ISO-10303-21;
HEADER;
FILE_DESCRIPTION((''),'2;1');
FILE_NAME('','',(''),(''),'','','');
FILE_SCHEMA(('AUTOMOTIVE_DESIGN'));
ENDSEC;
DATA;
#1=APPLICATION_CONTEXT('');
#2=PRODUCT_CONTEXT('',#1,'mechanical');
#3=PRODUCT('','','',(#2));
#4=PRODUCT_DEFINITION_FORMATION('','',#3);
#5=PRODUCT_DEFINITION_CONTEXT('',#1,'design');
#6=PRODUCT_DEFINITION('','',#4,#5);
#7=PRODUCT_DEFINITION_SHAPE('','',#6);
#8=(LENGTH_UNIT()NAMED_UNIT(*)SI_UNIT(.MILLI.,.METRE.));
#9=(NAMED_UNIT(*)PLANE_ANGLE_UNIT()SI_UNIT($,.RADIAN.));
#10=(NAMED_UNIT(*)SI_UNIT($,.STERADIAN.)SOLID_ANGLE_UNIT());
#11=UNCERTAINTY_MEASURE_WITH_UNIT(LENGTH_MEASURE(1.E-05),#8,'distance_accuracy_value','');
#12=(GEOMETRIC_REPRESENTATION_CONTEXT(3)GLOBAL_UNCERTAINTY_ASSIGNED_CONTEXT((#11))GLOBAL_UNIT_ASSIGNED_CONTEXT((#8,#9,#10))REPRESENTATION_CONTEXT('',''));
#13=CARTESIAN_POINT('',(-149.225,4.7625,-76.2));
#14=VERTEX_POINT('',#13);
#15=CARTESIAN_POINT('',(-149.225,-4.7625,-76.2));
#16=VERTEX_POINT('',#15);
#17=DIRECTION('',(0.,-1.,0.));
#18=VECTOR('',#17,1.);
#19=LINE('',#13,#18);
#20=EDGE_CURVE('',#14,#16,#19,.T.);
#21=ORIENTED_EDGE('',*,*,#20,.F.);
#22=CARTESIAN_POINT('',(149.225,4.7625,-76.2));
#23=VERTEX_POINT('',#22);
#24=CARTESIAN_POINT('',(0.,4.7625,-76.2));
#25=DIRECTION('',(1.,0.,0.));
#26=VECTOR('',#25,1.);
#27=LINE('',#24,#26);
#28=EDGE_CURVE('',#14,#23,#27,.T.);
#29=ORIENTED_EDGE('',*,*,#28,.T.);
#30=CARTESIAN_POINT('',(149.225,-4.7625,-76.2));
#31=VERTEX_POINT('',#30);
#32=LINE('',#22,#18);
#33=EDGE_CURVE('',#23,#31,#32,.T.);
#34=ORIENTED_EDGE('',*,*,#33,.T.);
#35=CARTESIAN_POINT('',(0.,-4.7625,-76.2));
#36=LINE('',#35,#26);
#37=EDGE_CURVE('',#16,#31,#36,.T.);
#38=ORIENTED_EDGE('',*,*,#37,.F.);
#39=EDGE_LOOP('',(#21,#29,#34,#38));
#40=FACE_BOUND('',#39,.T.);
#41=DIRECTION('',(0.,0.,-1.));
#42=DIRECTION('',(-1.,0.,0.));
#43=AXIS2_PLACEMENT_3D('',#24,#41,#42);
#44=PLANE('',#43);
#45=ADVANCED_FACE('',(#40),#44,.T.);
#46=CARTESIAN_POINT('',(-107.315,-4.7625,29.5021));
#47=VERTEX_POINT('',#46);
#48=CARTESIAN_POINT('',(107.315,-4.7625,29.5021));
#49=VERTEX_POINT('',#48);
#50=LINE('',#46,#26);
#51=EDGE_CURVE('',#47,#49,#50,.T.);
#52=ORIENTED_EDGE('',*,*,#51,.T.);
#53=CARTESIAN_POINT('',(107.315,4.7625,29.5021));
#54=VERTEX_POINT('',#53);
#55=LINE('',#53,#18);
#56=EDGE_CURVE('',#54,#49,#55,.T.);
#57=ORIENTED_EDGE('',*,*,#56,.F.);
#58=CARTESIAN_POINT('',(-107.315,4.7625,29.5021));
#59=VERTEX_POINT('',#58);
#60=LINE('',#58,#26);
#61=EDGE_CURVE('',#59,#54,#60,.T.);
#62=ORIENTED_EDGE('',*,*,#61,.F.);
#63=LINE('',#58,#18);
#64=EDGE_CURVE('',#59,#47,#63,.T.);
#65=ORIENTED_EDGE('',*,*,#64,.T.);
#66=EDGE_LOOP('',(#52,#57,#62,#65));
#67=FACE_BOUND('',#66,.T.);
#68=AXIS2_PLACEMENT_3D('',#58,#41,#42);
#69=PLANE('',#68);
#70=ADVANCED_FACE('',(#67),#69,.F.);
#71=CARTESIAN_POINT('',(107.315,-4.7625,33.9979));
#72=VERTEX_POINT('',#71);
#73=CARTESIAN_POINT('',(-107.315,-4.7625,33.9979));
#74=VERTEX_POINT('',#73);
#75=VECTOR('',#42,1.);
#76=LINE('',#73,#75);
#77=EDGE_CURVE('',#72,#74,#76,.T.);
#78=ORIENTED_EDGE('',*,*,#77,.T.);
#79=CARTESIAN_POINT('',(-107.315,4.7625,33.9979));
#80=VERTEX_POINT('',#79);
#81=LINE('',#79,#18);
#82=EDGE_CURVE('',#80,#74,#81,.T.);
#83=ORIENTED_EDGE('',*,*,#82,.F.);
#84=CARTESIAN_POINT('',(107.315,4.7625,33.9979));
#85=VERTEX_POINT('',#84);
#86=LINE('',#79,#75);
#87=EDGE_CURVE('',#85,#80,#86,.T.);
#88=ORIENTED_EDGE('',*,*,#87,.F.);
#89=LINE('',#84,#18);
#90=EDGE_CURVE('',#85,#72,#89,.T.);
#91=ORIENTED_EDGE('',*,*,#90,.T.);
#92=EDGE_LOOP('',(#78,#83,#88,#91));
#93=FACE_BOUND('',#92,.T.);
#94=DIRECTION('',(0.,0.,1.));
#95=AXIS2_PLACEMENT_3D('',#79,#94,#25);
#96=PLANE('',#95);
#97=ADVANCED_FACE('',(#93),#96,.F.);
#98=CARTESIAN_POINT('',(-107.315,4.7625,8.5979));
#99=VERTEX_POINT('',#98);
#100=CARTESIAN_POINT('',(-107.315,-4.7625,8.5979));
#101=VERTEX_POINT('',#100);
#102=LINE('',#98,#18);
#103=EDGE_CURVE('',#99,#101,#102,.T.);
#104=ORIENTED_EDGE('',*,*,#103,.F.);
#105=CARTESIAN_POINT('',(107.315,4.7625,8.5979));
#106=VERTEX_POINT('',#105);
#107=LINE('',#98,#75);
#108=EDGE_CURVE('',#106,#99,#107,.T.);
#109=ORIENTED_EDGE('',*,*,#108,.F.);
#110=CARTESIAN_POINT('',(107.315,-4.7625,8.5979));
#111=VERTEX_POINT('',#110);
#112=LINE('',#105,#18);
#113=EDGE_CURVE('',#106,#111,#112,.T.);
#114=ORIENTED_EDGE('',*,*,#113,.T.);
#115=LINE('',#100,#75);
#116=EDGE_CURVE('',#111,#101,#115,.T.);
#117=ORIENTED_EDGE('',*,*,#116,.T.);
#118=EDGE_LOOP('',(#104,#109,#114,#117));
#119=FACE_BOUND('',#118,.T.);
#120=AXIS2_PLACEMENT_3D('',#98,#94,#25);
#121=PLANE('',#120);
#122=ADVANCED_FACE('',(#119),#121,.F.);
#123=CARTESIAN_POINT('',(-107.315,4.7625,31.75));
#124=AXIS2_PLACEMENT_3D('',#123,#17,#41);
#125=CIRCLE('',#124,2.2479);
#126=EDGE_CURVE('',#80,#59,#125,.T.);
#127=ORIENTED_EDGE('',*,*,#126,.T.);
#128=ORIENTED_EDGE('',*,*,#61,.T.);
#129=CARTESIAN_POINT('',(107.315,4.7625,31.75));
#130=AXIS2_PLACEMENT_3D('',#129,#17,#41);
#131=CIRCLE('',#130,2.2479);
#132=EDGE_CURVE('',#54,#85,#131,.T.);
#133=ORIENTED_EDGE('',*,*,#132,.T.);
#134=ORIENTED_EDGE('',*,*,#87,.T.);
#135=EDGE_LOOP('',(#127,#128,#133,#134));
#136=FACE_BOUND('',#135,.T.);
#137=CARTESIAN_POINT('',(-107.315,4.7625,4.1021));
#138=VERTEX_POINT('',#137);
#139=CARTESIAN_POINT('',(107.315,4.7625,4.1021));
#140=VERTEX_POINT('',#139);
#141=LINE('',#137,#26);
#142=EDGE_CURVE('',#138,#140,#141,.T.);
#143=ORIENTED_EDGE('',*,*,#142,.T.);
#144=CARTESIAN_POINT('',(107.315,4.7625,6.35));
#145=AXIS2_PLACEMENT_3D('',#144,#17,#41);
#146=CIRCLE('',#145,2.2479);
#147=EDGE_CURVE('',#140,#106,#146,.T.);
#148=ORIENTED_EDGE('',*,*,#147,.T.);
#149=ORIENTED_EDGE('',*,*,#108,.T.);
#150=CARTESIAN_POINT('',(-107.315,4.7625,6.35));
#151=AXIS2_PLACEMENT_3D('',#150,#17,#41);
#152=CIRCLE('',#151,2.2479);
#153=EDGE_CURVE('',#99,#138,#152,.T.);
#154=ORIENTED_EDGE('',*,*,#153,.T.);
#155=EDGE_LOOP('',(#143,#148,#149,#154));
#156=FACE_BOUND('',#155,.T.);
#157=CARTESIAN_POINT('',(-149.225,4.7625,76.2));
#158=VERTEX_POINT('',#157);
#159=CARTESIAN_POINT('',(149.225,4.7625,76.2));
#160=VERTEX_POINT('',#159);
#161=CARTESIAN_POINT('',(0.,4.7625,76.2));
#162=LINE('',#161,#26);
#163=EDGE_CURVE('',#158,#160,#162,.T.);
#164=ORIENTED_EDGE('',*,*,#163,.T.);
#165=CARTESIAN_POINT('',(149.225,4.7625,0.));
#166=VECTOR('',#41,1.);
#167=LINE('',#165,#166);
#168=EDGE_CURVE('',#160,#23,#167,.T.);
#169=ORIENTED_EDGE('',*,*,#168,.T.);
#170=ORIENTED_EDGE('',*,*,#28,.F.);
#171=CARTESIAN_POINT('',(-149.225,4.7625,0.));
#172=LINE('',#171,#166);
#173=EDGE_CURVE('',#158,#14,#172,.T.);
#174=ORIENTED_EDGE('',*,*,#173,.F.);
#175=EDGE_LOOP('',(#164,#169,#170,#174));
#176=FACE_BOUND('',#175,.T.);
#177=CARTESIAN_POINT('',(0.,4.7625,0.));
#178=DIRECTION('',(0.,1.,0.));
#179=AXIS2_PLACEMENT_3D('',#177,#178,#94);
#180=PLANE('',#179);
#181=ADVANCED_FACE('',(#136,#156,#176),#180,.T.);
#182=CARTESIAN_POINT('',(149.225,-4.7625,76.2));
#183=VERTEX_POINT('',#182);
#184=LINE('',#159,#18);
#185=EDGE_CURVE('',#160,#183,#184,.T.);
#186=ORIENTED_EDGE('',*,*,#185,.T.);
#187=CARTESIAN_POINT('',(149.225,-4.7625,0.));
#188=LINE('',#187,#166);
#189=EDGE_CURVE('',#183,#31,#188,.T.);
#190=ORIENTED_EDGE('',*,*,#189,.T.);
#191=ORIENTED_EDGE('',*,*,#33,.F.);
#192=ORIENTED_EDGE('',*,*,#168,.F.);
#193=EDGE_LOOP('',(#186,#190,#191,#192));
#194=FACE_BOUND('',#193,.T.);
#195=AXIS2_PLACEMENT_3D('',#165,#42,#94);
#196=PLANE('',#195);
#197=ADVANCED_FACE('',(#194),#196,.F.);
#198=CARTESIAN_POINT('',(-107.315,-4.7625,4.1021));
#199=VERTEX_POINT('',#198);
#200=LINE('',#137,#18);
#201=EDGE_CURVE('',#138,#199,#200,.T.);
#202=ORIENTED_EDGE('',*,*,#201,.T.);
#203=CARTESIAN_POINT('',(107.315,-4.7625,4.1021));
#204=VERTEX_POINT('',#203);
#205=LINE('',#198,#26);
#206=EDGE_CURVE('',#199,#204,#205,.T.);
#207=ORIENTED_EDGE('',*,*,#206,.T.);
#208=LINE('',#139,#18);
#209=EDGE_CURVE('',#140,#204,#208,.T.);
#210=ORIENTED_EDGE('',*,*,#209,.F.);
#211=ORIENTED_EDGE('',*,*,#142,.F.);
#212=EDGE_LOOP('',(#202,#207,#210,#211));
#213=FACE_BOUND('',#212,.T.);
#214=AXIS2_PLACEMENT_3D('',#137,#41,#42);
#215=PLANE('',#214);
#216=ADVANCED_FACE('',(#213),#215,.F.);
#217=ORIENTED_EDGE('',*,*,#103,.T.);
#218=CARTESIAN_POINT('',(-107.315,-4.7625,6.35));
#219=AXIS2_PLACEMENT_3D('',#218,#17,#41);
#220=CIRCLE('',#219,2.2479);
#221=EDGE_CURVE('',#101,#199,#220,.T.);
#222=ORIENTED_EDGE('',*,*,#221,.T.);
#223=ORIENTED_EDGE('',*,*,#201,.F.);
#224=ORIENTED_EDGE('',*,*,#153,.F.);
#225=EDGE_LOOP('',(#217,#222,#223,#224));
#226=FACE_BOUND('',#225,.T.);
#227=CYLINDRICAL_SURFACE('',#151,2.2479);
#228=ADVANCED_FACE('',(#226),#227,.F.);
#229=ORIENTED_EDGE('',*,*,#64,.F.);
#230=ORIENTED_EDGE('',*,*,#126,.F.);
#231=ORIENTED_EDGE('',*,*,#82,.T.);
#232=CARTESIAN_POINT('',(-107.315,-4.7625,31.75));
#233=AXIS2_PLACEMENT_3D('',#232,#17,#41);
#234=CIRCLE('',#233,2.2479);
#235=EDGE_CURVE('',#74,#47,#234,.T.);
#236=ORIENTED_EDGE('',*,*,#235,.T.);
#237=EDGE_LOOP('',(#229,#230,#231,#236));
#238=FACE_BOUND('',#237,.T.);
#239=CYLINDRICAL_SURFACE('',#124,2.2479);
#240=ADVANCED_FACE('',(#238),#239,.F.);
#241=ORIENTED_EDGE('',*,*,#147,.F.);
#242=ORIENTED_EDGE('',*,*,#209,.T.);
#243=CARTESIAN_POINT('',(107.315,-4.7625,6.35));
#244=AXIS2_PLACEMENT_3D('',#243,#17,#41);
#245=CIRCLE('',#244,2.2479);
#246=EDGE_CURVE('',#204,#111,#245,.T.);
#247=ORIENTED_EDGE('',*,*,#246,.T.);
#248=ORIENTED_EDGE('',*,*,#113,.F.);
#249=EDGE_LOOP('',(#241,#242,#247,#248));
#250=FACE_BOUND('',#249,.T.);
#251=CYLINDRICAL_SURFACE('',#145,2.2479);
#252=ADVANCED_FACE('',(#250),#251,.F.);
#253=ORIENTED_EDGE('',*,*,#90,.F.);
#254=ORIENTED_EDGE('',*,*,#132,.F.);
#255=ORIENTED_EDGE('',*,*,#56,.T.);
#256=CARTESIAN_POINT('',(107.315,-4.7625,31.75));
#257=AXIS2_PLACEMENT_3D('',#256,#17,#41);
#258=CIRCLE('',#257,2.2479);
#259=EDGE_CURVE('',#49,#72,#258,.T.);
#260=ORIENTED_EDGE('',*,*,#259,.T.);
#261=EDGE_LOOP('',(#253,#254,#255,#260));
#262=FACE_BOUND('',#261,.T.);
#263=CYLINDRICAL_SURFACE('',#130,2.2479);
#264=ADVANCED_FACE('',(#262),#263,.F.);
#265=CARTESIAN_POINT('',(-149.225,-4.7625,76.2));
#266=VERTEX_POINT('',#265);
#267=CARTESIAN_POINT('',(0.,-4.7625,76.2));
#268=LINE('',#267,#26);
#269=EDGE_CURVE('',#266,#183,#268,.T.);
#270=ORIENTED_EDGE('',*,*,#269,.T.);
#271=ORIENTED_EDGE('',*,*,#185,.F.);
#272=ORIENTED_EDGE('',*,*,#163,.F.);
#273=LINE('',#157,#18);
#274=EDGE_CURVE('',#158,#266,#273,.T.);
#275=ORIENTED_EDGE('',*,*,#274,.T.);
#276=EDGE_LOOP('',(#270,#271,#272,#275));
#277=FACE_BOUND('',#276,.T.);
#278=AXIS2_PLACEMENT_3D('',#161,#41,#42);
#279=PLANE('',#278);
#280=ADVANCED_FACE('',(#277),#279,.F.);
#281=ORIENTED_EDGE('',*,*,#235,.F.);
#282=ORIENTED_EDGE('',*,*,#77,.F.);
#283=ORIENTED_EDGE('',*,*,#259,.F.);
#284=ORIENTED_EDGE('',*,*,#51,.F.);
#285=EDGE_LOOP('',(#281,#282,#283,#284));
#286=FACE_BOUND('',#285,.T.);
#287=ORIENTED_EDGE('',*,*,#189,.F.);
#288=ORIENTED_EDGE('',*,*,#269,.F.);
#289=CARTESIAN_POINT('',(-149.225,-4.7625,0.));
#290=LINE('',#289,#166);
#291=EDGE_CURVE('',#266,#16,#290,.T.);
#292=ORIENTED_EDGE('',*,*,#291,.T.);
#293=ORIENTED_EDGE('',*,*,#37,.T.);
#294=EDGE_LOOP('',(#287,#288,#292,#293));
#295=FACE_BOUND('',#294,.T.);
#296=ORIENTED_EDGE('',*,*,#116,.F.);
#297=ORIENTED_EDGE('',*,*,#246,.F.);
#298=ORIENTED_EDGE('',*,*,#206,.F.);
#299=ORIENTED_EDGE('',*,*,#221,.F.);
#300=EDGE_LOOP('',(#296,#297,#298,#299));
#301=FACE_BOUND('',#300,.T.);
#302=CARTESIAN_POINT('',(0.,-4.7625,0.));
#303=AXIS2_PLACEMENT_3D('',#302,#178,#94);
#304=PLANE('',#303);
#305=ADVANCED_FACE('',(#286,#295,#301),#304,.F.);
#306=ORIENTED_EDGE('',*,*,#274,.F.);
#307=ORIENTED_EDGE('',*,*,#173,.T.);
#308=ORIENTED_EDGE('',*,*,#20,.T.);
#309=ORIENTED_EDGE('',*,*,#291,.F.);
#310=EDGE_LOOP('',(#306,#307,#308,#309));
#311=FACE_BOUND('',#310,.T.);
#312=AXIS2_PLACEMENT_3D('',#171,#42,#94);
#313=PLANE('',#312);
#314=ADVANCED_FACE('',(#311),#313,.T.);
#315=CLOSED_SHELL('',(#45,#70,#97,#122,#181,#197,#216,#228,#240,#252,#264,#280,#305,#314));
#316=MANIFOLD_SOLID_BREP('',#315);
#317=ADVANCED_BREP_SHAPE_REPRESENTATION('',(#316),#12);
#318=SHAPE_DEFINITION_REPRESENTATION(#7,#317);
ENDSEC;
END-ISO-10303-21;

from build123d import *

# Parameters (mm, degrees)
SKETCH1_W           = 298.45
SKETCH1_H           = 152.4
BOSS_EXTRUDE1_DEPTH = 4.7625
CUT_EXTRUDE2_DEPTH  = 168.825106137


with BuildPart() as part:
    # Sketch1 → Boss-Extrude1 (new, symmetric)
    with BuildSketch(Plane(origin=(0, 0, 0), x_dir=(1, 0, 0), z_dir=(0, 1, 0))):
        Rectangle(SKETCH1_W, SKETCH1_H)
    extrude(amount=BOSS_EXTRUDE1_DEPTH, both=True)

    # Sketch4 → Cut-Extrude2 (cut, through all)
    with BuildSketch(Plane.XZ.offset(4.7625)):
        with BuildLine():
            Line((-107.315, 33.9979), (107.315, 33.9979))
            ThreePointArc((107.315, 33.9979), (109.5629, 31.75), (107.315, 29.5021))
            Line((107.315, 29.5021), (-107.315, 29.5021))
            ThreePointArc((-107.315, 29.5021), (-109.5629, 31.75), (-107.315, 33.9979))
        make_face()
        with BuildLine():
            Line((-107.315, 8.5979), (107.315, 8.5979))
            ThreePointArc((107.315, 8.5979), (109.5629, 6.35), (107.315, 4.1021))
            Line((107.315, 4.1021), (-107.315, 4.1021))
            ThreePointArc((-107.315, 4.1021), (-109.5629, 6.35), (-107.315, 8.5979))
        make_face()
    extrude(amount=-CUT_EXTRUDE2_DEPTH, mode=Mode.SUBTRACT)


solid = part.part
